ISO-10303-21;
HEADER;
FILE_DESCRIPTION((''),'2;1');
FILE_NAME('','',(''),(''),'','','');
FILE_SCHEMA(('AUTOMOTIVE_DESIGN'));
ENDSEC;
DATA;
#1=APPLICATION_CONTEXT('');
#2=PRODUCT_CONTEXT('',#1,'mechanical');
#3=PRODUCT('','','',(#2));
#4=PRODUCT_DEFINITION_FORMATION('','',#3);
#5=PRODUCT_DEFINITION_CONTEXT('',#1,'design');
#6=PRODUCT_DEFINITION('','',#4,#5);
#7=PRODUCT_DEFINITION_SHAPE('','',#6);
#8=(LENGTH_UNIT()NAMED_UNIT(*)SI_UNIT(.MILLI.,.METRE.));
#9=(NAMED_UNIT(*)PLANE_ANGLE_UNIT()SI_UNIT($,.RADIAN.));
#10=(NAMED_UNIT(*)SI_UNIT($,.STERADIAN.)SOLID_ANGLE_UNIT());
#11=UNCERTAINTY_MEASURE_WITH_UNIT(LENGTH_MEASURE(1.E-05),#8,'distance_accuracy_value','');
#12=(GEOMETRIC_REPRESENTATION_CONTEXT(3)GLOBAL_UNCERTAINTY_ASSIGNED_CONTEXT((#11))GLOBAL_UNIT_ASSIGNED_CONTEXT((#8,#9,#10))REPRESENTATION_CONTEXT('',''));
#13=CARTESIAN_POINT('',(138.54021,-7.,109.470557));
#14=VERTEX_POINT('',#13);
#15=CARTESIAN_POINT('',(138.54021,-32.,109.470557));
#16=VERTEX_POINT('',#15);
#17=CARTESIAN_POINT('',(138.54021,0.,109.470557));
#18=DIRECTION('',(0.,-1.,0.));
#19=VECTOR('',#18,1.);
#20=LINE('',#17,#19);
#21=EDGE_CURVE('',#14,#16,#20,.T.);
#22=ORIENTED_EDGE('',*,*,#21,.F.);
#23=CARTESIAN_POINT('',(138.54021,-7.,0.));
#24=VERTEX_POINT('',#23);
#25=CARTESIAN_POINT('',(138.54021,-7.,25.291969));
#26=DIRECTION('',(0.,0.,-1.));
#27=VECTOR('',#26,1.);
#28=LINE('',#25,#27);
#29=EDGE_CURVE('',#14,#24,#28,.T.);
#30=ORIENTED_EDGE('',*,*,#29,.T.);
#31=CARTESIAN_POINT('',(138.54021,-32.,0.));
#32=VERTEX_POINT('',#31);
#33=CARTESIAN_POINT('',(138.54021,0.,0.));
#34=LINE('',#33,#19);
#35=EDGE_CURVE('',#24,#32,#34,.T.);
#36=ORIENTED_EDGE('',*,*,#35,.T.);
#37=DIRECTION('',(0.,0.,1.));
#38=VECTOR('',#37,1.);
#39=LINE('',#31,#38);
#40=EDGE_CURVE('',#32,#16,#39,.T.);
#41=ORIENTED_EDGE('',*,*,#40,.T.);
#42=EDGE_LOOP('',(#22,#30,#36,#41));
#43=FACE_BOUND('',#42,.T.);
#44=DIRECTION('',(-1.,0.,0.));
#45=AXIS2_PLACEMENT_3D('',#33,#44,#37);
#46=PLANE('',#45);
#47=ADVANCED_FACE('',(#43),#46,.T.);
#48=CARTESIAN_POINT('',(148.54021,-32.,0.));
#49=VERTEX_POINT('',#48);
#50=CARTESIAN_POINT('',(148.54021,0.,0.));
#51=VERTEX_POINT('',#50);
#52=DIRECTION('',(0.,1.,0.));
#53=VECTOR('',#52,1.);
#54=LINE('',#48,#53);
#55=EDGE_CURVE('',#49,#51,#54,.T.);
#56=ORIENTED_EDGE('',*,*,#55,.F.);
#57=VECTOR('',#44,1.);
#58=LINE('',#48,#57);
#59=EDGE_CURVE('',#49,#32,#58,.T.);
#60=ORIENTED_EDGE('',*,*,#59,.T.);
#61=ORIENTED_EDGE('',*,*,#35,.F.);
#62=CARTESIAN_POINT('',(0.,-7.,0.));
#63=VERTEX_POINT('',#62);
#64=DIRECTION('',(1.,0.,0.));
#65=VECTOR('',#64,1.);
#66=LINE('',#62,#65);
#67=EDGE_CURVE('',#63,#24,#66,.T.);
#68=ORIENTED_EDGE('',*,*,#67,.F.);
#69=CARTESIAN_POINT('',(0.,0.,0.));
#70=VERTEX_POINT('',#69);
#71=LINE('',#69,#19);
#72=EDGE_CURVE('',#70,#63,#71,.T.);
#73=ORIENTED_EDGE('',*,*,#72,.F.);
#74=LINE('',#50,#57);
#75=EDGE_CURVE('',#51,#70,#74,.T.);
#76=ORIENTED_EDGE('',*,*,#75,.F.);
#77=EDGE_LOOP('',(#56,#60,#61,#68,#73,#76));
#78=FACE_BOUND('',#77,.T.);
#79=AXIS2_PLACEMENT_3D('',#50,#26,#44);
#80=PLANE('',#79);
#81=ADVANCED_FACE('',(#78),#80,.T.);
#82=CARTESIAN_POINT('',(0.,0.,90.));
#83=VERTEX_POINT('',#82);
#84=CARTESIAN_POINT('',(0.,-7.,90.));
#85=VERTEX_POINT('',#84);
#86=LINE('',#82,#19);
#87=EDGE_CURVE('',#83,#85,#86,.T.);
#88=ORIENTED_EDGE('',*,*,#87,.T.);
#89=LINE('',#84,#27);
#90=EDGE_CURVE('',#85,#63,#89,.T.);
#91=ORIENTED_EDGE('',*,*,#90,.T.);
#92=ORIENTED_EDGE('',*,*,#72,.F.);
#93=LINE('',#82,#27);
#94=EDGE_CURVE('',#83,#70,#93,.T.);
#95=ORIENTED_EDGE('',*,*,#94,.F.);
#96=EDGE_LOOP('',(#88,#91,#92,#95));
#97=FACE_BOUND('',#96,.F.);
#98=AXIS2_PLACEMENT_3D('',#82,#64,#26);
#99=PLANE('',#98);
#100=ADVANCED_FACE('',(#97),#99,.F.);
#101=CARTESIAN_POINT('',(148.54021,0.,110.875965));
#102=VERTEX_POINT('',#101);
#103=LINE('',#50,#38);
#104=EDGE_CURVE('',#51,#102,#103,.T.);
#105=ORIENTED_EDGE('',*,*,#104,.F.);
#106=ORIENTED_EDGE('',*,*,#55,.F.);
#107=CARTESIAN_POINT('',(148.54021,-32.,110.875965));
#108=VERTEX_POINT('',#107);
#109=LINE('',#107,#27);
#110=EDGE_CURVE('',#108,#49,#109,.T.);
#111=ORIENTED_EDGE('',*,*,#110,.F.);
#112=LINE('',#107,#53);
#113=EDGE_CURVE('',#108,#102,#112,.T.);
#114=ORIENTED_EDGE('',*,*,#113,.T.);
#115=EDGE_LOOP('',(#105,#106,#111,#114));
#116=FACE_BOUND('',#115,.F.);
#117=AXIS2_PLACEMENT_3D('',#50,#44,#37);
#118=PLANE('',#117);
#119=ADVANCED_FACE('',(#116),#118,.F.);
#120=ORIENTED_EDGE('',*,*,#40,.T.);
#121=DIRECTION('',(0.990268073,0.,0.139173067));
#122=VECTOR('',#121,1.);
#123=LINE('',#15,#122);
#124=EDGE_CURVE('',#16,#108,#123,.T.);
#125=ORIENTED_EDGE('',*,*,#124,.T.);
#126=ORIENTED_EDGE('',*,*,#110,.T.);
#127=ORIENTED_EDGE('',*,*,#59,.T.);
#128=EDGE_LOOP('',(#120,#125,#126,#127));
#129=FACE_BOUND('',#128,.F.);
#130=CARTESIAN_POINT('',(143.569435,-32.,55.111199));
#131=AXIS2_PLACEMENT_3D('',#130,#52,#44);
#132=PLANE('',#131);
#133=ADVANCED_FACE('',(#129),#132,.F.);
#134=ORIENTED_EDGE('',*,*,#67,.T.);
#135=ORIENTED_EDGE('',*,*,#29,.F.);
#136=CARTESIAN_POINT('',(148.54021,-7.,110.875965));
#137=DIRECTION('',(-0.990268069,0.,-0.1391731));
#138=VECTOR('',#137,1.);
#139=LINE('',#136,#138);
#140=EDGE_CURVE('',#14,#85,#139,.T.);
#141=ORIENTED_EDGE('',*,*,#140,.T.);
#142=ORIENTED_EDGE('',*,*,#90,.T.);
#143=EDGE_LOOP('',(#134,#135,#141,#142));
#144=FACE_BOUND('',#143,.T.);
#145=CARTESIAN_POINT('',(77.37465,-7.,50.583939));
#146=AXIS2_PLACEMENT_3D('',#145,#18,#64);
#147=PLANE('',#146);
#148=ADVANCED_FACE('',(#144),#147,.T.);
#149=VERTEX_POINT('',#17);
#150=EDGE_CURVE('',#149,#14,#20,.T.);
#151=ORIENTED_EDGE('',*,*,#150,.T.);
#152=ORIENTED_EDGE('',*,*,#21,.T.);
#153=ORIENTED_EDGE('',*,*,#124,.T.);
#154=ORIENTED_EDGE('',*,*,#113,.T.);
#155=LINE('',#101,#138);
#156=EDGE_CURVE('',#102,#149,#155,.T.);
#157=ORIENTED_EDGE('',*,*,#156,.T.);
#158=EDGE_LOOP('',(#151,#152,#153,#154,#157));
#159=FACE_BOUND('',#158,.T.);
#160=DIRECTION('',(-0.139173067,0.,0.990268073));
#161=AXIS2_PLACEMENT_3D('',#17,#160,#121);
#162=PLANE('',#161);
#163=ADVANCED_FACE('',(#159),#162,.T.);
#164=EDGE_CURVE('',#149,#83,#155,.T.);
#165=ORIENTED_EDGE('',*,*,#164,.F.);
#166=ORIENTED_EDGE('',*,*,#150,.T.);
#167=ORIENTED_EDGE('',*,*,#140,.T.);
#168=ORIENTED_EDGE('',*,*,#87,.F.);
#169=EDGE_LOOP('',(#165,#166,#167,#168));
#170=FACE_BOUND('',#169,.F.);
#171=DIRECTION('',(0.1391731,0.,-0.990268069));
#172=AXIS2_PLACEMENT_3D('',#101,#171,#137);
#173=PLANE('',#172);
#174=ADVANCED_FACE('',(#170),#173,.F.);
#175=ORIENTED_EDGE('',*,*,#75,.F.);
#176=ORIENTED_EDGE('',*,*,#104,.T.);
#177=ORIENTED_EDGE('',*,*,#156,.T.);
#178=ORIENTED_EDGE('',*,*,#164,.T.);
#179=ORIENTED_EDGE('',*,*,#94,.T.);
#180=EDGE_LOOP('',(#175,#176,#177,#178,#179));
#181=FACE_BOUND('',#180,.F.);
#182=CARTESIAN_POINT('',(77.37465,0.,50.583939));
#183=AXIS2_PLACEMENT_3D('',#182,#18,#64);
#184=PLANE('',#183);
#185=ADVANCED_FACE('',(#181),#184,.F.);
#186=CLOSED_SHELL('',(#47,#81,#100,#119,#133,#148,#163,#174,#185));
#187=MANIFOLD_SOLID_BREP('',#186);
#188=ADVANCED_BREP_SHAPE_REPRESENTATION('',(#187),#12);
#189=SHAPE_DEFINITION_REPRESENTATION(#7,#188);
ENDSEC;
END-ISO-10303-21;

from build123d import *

# Parameters (mm, degrees)
F1_DEPTH = 7
F3_DEPTH = 32


with BuildPart() as f1:
    # F0 (on Front) → F1 (new body)
    with BuildSketch(Plane.XZ):
        Polygon((0, 90), (0, 0), (148.54021, 0), (148.54021, 110.875965), align=None)
    extrude(amount=F1_DEPTH)

    # F2 (on face) → F3 (join)
    with BuildSketch(Plane(origin=(0, 0, 0), x_dir=(-1, 0, 0), z_dir=(0, 1, 0))):
        Polygon((-138.54021, 109.470557), (-148.54021, 110.875965), (-148.54021, 0), (-138.54021, 0), align=None)
    extrude(amount=-F3_DEPTH)


solid = f1.part
